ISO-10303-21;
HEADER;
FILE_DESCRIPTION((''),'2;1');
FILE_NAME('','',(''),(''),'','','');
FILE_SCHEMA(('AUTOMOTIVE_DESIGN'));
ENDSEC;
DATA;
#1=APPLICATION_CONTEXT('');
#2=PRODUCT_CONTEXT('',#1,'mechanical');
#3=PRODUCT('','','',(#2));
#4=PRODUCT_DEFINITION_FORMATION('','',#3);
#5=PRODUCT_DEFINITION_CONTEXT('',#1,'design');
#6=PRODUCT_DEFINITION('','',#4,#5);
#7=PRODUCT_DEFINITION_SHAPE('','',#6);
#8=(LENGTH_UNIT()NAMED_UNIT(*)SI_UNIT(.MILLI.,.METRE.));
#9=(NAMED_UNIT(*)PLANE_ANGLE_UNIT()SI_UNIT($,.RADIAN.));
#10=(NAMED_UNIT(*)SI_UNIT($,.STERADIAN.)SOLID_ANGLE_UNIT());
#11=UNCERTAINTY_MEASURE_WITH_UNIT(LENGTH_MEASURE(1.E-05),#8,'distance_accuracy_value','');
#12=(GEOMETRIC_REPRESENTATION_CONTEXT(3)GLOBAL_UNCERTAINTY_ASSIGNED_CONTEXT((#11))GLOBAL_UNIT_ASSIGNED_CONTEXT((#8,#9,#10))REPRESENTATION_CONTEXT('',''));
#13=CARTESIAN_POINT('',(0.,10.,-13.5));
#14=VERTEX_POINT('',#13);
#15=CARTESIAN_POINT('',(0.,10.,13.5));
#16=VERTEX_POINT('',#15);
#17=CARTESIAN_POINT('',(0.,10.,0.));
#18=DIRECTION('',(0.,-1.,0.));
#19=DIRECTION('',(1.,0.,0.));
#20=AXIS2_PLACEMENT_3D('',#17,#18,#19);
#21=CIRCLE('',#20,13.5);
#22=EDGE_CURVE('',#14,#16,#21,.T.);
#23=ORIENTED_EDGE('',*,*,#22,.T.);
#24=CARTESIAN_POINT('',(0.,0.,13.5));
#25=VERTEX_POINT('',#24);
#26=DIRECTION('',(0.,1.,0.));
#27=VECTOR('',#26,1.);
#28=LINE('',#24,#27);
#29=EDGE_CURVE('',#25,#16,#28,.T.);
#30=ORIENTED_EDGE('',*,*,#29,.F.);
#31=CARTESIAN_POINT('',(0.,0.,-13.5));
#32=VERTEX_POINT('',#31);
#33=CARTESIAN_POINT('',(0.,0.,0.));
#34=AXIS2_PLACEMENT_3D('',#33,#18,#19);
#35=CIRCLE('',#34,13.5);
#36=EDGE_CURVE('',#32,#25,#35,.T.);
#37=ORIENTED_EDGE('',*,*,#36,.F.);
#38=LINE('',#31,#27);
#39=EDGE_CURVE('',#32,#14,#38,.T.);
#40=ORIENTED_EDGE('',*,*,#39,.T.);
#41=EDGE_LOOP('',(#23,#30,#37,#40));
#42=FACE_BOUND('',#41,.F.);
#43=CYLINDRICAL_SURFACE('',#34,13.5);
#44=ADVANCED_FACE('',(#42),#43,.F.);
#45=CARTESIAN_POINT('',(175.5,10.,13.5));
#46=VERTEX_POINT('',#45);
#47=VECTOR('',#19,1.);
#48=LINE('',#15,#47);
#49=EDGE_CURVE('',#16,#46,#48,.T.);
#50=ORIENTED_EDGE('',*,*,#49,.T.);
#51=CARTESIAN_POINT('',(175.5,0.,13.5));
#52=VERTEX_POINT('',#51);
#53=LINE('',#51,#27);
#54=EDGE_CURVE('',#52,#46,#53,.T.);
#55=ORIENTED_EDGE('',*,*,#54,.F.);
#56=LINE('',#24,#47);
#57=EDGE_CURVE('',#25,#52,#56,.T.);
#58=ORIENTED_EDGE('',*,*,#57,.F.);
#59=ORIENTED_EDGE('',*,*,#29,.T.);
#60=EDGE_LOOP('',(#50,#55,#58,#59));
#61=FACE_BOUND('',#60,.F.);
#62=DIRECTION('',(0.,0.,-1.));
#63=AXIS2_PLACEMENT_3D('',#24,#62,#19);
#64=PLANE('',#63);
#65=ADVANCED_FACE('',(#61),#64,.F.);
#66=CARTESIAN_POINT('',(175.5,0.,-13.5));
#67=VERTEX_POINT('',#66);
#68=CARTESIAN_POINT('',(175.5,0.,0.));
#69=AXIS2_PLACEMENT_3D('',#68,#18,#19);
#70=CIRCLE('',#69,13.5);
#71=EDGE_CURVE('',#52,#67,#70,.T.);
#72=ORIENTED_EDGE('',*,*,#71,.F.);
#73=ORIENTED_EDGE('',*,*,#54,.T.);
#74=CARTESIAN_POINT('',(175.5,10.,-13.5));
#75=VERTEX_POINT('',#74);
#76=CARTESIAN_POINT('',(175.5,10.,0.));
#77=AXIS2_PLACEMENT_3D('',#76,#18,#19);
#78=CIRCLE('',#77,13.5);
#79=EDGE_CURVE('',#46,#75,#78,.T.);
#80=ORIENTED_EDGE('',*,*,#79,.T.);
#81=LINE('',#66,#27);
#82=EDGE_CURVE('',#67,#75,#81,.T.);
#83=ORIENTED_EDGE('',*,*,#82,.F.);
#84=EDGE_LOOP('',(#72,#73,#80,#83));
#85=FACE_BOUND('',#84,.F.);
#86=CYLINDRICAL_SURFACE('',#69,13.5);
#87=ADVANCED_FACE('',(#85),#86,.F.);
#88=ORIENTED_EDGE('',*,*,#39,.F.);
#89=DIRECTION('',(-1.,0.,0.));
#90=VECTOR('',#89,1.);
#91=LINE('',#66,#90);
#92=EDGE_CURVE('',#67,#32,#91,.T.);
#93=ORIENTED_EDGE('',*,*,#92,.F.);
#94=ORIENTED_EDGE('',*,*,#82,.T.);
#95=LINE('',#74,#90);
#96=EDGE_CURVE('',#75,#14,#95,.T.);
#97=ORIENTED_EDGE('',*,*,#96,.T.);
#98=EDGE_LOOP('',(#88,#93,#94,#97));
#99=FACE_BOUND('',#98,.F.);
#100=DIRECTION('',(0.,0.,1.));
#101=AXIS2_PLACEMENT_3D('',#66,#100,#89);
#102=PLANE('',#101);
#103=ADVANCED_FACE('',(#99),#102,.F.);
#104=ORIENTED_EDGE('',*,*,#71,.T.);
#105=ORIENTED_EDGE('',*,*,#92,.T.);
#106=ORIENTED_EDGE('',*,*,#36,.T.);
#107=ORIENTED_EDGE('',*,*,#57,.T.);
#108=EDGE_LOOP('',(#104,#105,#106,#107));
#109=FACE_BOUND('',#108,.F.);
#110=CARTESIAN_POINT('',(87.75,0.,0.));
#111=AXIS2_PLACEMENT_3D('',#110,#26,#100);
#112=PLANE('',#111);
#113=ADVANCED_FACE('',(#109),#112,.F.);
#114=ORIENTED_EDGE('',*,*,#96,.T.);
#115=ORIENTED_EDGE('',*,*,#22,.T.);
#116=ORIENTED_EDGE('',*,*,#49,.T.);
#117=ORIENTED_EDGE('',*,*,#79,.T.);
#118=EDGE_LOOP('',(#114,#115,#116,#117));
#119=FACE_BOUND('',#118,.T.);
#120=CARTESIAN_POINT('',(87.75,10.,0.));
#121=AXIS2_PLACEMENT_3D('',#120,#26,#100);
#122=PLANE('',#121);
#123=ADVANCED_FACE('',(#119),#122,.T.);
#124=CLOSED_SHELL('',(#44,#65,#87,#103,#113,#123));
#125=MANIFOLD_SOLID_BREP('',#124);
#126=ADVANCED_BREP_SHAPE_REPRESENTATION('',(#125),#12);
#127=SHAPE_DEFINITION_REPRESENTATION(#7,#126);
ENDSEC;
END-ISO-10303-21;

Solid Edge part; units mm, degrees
sketch "Sketch1" plane through (0, 0, 0) normal (0, -1, 0) x (1, 0, 0)
  line L0 (0, 13.5) -> (175.5, 13.5)
  line L1 (175.5, -13.5) -> (0, -13.5)
  arc A0 (0, -13.5) -> (0, 13.5) centre (0, 0) ccw
  arc A1 (175.5, 13.5) -> (175.5, -13.5) centre (175.5, 0) ccw
extrude "Protrusion1" add sketch "Sketch1" against normal blind 10
